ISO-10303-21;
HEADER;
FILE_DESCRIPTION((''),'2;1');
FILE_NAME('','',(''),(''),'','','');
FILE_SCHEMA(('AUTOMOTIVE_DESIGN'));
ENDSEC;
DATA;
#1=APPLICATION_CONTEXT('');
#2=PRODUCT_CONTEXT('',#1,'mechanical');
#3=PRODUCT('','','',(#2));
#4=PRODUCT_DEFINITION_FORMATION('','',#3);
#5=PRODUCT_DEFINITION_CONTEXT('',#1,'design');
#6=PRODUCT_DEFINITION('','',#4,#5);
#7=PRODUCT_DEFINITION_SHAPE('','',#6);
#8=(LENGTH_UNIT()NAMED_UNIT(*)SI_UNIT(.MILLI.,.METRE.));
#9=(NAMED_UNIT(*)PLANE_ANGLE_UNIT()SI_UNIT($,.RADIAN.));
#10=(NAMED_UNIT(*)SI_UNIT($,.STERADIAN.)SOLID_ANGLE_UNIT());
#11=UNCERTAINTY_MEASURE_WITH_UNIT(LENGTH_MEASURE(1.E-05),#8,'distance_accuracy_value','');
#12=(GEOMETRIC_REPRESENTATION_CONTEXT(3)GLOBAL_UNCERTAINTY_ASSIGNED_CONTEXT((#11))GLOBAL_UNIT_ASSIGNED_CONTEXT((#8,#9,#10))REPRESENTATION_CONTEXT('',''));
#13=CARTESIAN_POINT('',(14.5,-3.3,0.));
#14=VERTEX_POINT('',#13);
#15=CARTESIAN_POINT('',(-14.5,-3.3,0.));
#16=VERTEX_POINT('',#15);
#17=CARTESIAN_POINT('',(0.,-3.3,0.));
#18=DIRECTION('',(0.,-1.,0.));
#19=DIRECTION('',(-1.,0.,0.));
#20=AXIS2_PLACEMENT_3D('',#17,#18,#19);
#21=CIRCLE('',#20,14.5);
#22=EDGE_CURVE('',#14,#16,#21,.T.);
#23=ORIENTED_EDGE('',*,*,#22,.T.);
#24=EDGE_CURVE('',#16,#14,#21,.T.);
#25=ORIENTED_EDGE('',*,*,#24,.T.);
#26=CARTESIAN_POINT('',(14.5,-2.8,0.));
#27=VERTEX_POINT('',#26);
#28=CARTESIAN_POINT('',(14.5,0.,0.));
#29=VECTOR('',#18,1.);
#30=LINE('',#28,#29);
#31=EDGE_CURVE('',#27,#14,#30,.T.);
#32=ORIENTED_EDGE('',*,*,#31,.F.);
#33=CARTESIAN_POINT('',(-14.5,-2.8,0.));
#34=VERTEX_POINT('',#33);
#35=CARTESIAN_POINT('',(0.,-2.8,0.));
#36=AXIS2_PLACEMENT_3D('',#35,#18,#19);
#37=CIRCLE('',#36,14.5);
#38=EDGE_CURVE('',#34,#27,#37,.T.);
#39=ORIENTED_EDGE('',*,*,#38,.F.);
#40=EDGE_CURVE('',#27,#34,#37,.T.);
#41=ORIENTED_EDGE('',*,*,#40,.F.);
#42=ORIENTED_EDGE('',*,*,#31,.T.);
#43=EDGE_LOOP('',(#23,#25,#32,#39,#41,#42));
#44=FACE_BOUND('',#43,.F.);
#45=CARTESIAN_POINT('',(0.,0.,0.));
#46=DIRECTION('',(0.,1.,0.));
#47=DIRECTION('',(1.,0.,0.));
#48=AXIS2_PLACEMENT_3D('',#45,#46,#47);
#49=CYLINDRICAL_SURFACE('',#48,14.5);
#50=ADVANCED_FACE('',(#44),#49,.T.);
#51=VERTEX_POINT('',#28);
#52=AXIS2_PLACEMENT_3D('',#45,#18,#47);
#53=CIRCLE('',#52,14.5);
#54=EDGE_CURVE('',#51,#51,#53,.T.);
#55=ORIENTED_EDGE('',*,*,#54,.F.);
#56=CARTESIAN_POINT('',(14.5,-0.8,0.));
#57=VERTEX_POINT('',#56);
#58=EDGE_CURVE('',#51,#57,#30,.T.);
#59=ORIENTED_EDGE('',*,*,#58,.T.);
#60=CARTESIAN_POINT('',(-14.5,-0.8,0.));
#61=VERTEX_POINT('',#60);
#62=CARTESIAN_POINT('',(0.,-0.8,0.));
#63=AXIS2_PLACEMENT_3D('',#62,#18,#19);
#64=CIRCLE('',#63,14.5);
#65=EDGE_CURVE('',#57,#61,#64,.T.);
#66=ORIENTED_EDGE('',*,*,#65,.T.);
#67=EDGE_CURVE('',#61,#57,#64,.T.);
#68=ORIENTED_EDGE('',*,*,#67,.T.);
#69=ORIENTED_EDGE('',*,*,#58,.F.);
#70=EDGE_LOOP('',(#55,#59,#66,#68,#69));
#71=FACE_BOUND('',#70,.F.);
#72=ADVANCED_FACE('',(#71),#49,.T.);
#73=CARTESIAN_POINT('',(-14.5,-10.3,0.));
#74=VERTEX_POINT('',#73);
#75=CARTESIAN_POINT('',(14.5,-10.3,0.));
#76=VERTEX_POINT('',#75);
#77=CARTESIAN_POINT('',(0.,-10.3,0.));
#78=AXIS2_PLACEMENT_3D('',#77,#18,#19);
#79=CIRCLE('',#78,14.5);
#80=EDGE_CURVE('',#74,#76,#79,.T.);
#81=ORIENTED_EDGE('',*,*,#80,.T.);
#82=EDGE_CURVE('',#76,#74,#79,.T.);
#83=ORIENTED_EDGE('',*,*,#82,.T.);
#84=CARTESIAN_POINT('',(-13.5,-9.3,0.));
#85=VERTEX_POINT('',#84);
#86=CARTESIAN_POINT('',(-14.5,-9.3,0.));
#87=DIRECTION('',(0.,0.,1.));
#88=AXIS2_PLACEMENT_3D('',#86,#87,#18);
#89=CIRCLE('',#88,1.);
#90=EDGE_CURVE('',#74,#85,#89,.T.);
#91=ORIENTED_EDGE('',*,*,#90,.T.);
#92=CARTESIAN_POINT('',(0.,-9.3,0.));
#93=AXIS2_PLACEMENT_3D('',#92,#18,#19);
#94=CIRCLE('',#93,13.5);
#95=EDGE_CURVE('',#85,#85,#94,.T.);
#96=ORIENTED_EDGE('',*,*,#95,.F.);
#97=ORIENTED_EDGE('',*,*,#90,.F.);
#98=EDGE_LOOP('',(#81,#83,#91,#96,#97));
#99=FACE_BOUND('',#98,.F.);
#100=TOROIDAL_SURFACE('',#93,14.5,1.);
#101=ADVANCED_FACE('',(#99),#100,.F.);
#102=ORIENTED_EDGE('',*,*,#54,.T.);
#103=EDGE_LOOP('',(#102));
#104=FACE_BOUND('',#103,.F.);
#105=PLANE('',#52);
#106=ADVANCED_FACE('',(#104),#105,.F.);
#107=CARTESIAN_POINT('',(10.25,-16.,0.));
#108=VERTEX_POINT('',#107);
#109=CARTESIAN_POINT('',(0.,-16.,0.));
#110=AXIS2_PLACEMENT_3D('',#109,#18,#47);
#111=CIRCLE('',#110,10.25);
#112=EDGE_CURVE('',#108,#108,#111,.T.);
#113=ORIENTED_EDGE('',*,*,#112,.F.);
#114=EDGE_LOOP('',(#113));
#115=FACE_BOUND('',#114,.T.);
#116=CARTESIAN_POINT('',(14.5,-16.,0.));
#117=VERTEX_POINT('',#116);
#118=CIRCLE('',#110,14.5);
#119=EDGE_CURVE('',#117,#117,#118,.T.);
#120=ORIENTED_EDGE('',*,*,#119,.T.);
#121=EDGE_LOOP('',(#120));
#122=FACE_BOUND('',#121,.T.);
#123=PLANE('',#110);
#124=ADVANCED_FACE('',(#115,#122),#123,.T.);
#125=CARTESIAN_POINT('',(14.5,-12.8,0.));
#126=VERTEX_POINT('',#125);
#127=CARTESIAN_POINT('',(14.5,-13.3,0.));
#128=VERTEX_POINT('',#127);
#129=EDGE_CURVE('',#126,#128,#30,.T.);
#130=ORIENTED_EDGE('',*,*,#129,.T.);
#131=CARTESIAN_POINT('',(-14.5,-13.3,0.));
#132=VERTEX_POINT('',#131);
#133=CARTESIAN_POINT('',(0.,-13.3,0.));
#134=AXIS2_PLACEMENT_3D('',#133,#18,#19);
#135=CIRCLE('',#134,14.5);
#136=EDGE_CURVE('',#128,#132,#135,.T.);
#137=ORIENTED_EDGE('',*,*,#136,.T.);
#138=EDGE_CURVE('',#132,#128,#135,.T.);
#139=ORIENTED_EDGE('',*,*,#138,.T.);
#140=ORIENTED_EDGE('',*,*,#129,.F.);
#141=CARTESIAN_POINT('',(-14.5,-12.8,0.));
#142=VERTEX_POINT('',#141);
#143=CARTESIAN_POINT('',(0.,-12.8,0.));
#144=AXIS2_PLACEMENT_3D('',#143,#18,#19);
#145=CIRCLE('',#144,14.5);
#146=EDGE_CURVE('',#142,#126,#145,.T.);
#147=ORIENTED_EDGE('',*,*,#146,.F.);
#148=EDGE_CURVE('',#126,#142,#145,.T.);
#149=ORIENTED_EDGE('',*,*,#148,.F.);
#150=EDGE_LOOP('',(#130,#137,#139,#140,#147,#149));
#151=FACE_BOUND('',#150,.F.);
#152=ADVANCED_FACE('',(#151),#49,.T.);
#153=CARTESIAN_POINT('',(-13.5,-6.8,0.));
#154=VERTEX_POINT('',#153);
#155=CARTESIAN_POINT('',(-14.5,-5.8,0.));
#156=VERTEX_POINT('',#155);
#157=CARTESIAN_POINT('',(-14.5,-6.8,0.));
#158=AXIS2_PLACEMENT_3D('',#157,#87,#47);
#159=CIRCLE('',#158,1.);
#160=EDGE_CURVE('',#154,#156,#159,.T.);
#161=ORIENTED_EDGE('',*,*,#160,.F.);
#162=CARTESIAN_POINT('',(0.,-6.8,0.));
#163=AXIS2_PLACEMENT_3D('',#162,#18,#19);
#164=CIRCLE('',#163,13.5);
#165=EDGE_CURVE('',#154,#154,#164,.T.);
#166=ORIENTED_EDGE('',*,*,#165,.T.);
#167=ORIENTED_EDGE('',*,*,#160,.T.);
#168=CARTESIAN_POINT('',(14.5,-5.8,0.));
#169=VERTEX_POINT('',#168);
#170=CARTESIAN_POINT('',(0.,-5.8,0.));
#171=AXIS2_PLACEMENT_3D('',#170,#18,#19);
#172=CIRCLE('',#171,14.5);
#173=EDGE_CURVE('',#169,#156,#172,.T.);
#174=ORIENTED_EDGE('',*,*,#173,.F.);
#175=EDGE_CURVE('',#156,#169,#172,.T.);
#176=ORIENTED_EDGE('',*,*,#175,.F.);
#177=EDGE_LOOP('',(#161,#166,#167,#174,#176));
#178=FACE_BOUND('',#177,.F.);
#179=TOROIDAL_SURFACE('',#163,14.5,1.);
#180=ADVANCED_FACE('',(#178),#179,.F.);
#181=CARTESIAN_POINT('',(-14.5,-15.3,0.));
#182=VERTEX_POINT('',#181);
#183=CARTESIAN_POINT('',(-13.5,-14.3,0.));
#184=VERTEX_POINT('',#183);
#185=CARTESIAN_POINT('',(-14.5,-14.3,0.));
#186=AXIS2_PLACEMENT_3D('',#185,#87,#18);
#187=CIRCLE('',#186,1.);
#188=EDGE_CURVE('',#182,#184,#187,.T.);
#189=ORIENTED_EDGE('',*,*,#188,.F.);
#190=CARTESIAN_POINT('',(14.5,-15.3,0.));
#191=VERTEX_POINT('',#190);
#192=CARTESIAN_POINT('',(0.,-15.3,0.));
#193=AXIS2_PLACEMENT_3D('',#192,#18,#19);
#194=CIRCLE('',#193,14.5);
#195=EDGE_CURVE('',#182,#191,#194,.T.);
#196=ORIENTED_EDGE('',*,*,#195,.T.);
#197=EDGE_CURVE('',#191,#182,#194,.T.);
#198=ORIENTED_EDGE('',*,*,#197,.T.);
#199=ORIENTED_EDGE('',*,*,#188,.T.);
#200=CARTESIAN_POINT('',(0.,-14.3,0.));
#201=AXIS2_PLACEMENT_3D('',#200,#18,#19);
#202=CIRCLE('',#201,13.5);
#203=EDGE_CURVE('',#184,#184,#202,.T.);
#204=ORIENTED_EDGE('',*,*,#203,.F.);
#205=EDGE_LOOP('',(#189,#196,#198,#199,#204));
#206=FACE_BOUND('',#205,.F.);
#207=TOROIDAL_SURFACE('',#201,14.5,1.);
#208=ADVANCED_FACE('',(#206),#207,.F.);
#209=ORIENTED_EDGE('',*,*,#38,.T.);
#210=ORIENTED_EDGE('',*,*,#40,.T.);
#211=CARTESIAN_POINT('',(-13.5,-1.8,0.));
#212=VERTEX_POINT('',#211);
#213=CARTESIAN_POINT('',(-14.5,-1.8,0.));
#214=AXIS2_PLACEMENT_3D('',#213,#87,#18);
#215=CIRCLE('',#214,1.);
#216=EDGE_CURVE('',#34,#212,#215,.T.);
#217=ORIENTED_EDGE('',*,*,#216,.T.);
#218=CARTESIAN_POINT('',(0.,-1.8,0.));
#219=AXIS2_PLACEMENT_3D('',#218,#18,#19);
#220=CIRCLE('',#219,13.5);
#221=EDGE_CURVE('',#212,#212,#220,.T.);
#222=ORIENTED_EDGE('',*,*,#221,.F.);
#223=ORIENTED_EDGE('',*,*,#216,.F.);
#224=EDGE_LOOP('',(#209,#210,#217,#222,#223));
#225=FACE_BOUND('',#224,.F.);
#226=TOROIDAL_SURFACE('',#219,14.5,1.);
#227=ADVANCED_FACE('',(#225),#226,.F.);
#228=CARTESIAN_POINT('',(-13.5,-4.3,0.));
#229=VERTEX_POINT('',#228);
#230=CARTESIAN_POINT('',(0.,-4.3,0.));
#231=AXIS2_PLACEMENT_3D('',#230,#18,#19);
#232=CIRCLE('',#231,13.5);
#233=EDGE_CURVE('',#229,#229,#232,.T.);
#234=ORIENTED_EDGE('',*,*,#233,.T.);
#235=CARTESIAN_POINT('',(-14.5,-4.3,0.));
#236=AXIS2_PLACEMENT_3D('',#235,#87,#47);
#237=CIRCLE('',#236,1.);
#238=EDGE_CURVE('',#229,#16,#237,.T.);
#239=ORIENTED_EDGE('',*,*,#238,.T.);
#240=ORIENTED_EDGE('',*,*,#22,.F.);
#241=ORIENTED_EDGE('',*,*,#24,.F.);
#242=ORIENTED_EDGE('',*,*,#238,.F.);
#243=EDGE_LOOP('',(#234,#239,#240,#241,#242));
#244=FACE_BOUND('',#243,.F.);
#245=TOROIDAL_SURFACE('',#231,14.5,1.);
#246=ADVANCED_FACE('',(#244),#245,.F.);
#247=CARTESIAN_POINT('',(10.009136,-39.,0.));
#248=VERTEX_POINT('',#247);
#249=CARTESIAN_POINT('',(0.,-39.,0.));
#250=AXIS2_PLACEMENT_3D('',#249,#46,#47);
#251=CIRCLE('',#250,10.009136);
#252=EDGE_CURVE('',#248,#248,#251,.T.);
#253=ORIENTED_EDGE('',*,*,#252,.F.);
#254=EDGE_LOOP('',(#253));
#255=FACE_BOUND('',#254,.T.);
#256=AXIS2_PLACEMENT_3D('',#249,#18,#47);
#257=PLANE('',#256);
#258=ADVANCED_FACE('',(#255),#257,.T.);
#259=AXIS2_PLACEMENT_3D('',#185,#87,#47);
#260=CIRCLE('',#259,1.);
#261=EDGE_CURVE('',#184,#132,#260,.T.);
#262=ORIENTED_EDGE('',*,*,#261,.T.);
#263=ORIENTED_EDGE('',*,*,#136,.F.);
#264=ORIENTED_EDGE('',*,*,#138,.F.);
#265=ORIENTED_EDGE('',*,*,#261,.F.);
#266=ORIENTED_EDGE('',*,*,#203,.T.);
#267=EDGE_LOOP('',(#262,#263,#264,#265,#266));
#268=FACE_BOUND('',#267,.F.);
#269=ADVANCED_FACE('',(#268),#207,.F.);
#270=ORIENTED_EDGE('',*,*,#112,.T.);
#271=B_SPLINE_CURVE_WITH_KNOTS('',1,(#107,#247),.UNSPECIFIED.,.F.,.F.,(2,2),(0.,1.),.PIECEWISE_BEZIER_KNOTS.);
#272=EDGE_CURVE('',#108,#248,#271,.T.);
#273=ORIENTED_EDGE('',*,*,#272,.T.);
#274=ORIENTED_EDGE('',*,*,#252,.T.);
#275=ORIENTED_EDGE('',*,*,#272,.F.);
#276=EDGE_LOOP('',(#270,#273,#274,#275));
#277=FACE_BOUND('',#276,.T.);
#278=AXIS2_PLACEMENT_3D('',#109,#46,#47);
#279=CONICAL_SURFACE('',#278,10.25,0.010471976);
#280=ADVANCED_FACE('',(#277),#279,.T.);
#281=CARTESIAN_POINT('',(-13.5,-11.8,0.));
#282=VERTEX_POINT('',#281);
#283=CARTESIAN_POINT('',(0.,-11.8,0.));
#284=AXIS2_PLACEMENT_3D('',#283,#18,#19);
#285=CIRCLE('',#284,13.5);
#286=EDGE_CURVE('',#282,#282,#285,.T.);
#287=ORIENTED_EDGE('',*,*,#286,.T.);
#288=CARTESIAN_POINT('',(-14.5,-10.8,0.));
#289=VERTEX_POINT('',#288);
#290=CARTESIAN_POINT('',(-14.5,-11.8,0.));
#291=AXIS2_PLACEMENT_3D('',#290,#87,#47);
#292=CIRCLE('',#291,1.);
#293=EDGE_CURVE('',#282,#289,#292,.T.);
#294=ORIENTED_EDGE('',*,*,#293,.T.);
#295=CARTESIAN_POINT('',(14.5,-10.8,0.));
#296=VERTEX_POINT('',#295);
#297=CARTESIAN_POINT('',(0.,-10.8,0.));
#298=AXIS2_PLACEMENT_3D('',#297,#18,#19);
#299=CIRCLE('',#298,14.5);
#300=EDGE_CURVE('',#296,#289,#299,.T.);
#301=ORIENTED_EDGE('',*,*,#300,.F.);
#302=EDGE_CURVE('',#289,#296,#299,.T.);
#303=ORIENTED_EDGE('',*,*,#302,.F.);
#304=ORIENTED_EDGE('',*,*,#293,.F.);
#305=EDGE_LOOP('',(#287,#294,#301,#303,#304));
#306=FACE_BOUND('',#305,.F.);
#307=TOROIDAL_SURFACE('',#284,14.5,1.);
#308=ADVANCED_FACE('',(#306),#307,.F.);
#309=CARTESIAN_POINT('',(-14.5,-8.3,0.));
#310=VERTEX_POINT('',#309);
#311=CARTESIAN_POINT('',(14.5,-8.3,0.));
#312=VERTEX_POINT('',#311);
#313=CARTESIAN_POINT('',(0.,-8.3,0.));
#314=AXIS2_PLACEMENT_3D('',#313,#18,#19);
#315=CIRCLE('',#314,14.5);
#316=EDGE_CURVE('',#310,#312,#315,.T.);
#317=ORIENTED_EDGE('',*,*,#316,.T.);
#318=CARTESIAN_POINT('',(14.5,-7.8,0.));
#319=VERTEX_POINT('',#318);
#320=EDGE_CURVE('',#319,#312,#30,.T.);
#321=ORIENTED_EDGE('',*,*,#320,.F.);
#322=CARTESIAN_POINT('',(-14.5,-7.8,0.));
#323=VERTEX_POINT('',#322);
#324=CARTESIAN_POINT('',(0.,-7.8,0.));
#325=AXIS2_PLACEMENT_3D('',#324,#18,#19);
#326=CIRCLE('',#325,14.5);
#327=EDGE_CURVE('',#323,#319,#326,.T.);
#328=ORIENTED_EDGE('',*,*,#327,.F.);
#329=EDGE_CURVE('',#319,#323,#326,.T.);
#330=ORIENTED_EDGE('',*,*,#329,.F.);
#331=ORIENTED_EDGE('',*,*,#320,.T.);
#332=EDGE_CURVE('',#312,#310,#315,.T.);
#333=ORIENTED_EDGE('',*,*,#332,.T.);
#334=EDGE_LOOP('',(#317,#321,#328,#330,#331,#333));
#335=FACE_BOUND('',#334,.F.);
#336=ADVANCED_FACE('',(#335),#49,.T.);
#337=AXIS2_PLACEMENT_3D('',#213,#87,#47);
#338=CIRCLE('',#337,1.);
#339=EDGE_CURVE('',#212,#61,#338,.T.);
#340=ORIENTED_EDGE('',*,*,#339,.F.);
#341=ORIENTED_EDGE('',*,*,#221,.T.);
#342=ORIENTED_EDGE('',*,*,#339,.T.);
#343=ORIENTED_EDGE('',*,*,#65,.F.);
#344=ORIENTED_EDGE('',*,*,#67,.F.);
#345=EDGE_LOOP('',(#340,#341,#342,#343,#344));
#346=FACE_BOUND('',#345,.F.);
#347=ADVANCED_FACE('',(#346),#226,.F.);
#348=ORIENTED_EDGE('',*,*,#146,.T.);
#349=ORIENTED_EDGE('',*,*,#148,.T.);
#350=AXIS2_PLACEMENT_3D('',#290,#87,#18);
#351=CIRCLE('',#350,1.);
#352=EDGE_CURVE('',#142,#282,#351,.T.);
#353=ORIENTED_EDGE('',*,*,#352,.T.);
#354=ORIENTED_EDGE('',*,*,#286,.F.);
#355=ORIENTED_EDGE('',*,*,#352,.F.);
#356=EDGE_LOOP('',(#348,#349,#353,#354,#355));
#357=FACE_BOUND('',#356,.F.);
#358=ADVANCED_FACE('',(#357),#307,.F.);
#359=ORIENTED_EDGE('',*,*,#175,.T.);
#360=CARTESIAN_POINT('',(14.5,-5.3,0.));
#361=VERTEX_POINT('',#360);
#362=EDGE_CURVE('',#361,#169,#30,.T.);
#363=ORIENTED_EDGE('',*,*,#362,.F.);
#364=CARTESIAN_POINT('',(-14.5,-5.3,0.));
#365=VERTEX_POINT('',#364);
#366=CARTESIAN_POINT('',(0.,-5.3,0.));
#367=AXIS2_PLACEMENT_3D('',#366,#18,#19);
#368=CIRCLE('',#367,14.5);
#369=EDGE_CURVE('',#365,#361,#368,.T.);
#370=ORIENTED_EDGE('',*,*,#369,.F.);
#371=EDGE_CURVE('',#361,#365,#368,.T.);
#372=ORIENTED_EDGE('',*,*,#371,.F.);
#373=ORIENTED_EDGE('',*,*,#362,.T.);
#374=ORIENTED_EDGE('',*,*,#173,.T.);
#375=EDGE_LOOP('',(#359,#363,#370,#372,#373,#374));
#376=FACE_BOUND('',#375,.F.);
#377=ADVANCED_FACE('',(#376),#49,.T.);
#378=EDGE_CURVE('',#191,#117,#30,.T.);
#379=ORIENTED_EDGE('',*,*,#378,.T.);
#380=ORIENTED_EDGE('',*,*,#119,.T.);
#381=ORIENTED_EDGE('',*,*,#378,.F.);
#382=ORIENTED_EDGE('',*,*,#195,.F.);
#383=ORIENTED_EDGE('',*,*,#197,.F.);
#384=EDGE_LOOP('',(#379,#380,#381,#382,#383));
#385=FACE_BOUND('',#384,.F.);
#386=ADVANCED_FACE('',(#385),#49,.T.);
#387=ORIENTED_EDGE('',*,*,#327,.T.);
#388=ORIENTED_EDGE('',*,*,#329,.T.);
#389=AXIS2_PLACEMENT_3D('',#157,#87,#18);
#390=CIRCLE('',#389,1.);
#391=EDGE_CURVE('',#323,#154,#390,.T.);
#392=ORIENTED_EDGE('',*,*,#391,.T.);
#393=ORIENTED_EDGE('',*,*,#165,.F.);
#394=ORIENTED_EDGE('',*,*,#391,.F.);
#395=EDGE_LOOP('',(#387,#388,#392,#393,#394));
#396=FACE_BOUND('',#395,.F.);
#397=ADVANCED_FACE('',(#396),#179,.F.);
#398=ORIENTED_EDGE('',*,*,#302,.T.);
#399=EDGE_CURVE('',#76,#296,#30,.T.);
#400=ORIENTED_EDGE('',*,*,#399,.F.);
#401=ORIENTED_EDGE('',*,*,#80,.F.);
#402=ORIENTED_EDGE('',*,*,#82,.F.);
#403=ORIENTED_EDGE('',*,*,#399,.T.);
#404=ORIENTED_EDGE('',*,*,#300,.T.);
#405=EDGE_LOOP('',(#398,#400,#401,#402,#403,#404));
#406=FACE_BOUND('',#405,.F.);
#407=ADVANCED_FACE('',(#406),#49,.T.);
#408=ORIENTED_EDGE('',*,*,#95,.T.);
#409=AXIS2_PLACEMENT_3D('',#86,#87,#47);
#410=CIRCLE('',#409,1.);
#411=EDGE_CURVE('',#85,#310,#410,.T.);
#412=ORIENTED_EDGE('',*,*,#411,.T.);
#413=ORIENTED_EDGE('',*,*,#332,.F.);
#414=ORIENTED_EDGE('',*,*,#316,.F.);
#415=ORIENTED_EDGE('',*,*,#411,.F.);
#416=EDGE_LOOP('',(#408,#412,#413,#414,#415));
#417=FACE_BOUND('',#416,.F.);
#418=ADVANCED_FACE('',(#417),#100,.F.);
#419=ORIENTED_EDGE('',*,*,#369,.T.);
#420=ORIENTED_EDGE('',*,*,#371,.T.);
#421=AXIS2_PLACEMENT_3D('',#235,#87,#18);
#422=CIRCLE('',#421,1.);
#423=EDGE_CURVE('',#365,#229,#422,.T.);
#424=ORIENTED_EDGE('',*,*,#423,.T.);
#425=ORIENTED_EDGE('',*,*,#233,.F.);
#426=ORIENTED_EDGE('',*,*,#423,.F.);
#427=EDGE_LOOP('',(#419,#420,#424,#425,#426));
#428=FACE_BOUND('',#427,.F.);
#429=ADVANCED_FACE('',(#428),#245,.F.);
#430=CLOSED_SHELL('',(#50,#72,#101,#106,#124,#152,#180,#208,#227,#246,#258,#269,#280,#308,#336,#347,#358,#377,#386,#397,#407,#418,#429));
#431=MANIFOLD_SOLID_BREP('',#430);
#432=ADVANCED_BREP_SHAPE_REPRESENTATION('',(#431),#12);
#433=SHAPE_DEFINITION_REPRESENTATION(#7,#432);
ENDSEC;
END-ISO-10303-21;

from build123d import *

# Parameters (mm, degrees)
F0_R     = 14.5
F1_DEPTH = 16
F2_R     = 10.25
F3_DEPTH = 23
F3_TAPER = 0.6


with BuildPart() as f1:
    # F0 (on Front) → F1 (new body)
    with BuildSketch(Plane.XZ):
        Circle(F0_R)
    extrude(amount=F1_DEPTH)

    # F2 (on face) → F3 (join)
    with BuildSketch(Plane.XZ.offset(16)):
        Circle(F2_R)
    extrude(amount=F3_DEPTH, taper=F3_TAPER)

    # F4 (on Top) → F5 (revolve, cut)
    with BuildSketch(Plane.XY):
        with BuildLine():
            ThreePointArc((-13.5, -1.8), (-13.7928932188, -1.0928932188), (-14.5, -0.8))
            Line((-14.5, -0.8), (-14.5, -2.8))
            ThreePointArc((-14.5, -2.8), (-13.7928932188, -2.5071067812), (-13.5, -1.8))
        make_face()
        with BuildLine():
            ThreePointArc((-13.5, -14.3), (-13.7928932188, -13.5928932188), (-14.5, -13.3))
            Line((-14.5, -13.3), (-14.5, -15.3))
            ThreePointArc((-14.5, -15.3), (-13.7928932188, -15.0071067812), (-13.5, -14.3))
        make_face()
        with BuildLine():
            Line((-14.5, -15.3), (-14.5, -13.3))
            ThreePointArc((-14.5, -13.3), (-15.5, -14.3), (-14.5, -15.3))
        make_face()
        with BuildLine():
            ThreePointArc((-13.5, -11.8), (-13.7928932188, -11.0928932188), (-14.5, -10.8))
            Line((-14.5, -10.8), (-14.5, -12.8))
            ThreePointArc((-14.5, -12.8), (-13.7928932188, -12.5071067812), (-13.5, -11.8))
        make_face()
        with BuildLine():
            Line((-14.5, -12.8), (-14.5, -10.8))
            ThreePointArc((-14.5, -10.8), (-15.5, -11.8), (-14.5, -12.8))
        make_face()
        with BuildLine():
            ThreePointArc((-13.5, -9.3), (-13.7928932188, -8.5928932188), (-14.5, -8.3))
            Line((-14.5, -8.3), (-14.5, -10.3))
            ThreePointArc((-14.5, -10.3), (-13.7928932188, -10.0071067812), (-13.5, -9.3))
        make_face()
        with BuildLine():
            Line((-14.5, -10.3), (-14.5, -8.3))
            ThreePointArc((-14.5, -8.3), (-15.5, -9.3), (-14.5, -10.3))
        make_face()
        with BuildLine():
            ThreePointArc((-13.5, -6.8), (-13.7928932188, -6.0928932188), (-14.5, -5.8))
            Line((-14.5, -5.8), (-14.5, -7.8))
            ThreePointArc((-14.5, -7.8), (-13.7928932188, -7.5071067812), (-13.5, -6.8))
        make_face()
        with BuildLine():
            Line((-14.5, -7.8), (-14.5, -5.8))
            ThreePointArc((-14.5, -5.8), (-15.5, -6.8), (-14.5, -7.8))
        make_face()
        with BuildLine():
            ThreePointArc((-13.5, -4.3), (-13.7928932188, -3.5928932188), (-14.5, -3.3))
            Line((-14.5, -3.3), (-14.5, -5.3))
            ThreePointArc((-14.5, -5.3), (-13.7928932188, -5.0071067812), (-13.5, -4.3))
        make_face()
        with BuildLine():
            Line((-14.5, -5.3), (-14.5, -3.3))
            ThreePointArc((-14.5, -3.3), (-15.5, -4.3), (-14.5, -5.3))
        make_face()
        with BuildLine():
            Line((-14.5, -2.8), (-14.5, -0.8))
            ThreePointArc((-14.5, -0.8), (-15.5, -1.8), (-14.5, -2.8))
        make_face()
    revolve(axis=Axis((0, -22.2350936383, 0), (0, -1, 0)), mode=Mode.SUBTRACT)


solid = f1.part
